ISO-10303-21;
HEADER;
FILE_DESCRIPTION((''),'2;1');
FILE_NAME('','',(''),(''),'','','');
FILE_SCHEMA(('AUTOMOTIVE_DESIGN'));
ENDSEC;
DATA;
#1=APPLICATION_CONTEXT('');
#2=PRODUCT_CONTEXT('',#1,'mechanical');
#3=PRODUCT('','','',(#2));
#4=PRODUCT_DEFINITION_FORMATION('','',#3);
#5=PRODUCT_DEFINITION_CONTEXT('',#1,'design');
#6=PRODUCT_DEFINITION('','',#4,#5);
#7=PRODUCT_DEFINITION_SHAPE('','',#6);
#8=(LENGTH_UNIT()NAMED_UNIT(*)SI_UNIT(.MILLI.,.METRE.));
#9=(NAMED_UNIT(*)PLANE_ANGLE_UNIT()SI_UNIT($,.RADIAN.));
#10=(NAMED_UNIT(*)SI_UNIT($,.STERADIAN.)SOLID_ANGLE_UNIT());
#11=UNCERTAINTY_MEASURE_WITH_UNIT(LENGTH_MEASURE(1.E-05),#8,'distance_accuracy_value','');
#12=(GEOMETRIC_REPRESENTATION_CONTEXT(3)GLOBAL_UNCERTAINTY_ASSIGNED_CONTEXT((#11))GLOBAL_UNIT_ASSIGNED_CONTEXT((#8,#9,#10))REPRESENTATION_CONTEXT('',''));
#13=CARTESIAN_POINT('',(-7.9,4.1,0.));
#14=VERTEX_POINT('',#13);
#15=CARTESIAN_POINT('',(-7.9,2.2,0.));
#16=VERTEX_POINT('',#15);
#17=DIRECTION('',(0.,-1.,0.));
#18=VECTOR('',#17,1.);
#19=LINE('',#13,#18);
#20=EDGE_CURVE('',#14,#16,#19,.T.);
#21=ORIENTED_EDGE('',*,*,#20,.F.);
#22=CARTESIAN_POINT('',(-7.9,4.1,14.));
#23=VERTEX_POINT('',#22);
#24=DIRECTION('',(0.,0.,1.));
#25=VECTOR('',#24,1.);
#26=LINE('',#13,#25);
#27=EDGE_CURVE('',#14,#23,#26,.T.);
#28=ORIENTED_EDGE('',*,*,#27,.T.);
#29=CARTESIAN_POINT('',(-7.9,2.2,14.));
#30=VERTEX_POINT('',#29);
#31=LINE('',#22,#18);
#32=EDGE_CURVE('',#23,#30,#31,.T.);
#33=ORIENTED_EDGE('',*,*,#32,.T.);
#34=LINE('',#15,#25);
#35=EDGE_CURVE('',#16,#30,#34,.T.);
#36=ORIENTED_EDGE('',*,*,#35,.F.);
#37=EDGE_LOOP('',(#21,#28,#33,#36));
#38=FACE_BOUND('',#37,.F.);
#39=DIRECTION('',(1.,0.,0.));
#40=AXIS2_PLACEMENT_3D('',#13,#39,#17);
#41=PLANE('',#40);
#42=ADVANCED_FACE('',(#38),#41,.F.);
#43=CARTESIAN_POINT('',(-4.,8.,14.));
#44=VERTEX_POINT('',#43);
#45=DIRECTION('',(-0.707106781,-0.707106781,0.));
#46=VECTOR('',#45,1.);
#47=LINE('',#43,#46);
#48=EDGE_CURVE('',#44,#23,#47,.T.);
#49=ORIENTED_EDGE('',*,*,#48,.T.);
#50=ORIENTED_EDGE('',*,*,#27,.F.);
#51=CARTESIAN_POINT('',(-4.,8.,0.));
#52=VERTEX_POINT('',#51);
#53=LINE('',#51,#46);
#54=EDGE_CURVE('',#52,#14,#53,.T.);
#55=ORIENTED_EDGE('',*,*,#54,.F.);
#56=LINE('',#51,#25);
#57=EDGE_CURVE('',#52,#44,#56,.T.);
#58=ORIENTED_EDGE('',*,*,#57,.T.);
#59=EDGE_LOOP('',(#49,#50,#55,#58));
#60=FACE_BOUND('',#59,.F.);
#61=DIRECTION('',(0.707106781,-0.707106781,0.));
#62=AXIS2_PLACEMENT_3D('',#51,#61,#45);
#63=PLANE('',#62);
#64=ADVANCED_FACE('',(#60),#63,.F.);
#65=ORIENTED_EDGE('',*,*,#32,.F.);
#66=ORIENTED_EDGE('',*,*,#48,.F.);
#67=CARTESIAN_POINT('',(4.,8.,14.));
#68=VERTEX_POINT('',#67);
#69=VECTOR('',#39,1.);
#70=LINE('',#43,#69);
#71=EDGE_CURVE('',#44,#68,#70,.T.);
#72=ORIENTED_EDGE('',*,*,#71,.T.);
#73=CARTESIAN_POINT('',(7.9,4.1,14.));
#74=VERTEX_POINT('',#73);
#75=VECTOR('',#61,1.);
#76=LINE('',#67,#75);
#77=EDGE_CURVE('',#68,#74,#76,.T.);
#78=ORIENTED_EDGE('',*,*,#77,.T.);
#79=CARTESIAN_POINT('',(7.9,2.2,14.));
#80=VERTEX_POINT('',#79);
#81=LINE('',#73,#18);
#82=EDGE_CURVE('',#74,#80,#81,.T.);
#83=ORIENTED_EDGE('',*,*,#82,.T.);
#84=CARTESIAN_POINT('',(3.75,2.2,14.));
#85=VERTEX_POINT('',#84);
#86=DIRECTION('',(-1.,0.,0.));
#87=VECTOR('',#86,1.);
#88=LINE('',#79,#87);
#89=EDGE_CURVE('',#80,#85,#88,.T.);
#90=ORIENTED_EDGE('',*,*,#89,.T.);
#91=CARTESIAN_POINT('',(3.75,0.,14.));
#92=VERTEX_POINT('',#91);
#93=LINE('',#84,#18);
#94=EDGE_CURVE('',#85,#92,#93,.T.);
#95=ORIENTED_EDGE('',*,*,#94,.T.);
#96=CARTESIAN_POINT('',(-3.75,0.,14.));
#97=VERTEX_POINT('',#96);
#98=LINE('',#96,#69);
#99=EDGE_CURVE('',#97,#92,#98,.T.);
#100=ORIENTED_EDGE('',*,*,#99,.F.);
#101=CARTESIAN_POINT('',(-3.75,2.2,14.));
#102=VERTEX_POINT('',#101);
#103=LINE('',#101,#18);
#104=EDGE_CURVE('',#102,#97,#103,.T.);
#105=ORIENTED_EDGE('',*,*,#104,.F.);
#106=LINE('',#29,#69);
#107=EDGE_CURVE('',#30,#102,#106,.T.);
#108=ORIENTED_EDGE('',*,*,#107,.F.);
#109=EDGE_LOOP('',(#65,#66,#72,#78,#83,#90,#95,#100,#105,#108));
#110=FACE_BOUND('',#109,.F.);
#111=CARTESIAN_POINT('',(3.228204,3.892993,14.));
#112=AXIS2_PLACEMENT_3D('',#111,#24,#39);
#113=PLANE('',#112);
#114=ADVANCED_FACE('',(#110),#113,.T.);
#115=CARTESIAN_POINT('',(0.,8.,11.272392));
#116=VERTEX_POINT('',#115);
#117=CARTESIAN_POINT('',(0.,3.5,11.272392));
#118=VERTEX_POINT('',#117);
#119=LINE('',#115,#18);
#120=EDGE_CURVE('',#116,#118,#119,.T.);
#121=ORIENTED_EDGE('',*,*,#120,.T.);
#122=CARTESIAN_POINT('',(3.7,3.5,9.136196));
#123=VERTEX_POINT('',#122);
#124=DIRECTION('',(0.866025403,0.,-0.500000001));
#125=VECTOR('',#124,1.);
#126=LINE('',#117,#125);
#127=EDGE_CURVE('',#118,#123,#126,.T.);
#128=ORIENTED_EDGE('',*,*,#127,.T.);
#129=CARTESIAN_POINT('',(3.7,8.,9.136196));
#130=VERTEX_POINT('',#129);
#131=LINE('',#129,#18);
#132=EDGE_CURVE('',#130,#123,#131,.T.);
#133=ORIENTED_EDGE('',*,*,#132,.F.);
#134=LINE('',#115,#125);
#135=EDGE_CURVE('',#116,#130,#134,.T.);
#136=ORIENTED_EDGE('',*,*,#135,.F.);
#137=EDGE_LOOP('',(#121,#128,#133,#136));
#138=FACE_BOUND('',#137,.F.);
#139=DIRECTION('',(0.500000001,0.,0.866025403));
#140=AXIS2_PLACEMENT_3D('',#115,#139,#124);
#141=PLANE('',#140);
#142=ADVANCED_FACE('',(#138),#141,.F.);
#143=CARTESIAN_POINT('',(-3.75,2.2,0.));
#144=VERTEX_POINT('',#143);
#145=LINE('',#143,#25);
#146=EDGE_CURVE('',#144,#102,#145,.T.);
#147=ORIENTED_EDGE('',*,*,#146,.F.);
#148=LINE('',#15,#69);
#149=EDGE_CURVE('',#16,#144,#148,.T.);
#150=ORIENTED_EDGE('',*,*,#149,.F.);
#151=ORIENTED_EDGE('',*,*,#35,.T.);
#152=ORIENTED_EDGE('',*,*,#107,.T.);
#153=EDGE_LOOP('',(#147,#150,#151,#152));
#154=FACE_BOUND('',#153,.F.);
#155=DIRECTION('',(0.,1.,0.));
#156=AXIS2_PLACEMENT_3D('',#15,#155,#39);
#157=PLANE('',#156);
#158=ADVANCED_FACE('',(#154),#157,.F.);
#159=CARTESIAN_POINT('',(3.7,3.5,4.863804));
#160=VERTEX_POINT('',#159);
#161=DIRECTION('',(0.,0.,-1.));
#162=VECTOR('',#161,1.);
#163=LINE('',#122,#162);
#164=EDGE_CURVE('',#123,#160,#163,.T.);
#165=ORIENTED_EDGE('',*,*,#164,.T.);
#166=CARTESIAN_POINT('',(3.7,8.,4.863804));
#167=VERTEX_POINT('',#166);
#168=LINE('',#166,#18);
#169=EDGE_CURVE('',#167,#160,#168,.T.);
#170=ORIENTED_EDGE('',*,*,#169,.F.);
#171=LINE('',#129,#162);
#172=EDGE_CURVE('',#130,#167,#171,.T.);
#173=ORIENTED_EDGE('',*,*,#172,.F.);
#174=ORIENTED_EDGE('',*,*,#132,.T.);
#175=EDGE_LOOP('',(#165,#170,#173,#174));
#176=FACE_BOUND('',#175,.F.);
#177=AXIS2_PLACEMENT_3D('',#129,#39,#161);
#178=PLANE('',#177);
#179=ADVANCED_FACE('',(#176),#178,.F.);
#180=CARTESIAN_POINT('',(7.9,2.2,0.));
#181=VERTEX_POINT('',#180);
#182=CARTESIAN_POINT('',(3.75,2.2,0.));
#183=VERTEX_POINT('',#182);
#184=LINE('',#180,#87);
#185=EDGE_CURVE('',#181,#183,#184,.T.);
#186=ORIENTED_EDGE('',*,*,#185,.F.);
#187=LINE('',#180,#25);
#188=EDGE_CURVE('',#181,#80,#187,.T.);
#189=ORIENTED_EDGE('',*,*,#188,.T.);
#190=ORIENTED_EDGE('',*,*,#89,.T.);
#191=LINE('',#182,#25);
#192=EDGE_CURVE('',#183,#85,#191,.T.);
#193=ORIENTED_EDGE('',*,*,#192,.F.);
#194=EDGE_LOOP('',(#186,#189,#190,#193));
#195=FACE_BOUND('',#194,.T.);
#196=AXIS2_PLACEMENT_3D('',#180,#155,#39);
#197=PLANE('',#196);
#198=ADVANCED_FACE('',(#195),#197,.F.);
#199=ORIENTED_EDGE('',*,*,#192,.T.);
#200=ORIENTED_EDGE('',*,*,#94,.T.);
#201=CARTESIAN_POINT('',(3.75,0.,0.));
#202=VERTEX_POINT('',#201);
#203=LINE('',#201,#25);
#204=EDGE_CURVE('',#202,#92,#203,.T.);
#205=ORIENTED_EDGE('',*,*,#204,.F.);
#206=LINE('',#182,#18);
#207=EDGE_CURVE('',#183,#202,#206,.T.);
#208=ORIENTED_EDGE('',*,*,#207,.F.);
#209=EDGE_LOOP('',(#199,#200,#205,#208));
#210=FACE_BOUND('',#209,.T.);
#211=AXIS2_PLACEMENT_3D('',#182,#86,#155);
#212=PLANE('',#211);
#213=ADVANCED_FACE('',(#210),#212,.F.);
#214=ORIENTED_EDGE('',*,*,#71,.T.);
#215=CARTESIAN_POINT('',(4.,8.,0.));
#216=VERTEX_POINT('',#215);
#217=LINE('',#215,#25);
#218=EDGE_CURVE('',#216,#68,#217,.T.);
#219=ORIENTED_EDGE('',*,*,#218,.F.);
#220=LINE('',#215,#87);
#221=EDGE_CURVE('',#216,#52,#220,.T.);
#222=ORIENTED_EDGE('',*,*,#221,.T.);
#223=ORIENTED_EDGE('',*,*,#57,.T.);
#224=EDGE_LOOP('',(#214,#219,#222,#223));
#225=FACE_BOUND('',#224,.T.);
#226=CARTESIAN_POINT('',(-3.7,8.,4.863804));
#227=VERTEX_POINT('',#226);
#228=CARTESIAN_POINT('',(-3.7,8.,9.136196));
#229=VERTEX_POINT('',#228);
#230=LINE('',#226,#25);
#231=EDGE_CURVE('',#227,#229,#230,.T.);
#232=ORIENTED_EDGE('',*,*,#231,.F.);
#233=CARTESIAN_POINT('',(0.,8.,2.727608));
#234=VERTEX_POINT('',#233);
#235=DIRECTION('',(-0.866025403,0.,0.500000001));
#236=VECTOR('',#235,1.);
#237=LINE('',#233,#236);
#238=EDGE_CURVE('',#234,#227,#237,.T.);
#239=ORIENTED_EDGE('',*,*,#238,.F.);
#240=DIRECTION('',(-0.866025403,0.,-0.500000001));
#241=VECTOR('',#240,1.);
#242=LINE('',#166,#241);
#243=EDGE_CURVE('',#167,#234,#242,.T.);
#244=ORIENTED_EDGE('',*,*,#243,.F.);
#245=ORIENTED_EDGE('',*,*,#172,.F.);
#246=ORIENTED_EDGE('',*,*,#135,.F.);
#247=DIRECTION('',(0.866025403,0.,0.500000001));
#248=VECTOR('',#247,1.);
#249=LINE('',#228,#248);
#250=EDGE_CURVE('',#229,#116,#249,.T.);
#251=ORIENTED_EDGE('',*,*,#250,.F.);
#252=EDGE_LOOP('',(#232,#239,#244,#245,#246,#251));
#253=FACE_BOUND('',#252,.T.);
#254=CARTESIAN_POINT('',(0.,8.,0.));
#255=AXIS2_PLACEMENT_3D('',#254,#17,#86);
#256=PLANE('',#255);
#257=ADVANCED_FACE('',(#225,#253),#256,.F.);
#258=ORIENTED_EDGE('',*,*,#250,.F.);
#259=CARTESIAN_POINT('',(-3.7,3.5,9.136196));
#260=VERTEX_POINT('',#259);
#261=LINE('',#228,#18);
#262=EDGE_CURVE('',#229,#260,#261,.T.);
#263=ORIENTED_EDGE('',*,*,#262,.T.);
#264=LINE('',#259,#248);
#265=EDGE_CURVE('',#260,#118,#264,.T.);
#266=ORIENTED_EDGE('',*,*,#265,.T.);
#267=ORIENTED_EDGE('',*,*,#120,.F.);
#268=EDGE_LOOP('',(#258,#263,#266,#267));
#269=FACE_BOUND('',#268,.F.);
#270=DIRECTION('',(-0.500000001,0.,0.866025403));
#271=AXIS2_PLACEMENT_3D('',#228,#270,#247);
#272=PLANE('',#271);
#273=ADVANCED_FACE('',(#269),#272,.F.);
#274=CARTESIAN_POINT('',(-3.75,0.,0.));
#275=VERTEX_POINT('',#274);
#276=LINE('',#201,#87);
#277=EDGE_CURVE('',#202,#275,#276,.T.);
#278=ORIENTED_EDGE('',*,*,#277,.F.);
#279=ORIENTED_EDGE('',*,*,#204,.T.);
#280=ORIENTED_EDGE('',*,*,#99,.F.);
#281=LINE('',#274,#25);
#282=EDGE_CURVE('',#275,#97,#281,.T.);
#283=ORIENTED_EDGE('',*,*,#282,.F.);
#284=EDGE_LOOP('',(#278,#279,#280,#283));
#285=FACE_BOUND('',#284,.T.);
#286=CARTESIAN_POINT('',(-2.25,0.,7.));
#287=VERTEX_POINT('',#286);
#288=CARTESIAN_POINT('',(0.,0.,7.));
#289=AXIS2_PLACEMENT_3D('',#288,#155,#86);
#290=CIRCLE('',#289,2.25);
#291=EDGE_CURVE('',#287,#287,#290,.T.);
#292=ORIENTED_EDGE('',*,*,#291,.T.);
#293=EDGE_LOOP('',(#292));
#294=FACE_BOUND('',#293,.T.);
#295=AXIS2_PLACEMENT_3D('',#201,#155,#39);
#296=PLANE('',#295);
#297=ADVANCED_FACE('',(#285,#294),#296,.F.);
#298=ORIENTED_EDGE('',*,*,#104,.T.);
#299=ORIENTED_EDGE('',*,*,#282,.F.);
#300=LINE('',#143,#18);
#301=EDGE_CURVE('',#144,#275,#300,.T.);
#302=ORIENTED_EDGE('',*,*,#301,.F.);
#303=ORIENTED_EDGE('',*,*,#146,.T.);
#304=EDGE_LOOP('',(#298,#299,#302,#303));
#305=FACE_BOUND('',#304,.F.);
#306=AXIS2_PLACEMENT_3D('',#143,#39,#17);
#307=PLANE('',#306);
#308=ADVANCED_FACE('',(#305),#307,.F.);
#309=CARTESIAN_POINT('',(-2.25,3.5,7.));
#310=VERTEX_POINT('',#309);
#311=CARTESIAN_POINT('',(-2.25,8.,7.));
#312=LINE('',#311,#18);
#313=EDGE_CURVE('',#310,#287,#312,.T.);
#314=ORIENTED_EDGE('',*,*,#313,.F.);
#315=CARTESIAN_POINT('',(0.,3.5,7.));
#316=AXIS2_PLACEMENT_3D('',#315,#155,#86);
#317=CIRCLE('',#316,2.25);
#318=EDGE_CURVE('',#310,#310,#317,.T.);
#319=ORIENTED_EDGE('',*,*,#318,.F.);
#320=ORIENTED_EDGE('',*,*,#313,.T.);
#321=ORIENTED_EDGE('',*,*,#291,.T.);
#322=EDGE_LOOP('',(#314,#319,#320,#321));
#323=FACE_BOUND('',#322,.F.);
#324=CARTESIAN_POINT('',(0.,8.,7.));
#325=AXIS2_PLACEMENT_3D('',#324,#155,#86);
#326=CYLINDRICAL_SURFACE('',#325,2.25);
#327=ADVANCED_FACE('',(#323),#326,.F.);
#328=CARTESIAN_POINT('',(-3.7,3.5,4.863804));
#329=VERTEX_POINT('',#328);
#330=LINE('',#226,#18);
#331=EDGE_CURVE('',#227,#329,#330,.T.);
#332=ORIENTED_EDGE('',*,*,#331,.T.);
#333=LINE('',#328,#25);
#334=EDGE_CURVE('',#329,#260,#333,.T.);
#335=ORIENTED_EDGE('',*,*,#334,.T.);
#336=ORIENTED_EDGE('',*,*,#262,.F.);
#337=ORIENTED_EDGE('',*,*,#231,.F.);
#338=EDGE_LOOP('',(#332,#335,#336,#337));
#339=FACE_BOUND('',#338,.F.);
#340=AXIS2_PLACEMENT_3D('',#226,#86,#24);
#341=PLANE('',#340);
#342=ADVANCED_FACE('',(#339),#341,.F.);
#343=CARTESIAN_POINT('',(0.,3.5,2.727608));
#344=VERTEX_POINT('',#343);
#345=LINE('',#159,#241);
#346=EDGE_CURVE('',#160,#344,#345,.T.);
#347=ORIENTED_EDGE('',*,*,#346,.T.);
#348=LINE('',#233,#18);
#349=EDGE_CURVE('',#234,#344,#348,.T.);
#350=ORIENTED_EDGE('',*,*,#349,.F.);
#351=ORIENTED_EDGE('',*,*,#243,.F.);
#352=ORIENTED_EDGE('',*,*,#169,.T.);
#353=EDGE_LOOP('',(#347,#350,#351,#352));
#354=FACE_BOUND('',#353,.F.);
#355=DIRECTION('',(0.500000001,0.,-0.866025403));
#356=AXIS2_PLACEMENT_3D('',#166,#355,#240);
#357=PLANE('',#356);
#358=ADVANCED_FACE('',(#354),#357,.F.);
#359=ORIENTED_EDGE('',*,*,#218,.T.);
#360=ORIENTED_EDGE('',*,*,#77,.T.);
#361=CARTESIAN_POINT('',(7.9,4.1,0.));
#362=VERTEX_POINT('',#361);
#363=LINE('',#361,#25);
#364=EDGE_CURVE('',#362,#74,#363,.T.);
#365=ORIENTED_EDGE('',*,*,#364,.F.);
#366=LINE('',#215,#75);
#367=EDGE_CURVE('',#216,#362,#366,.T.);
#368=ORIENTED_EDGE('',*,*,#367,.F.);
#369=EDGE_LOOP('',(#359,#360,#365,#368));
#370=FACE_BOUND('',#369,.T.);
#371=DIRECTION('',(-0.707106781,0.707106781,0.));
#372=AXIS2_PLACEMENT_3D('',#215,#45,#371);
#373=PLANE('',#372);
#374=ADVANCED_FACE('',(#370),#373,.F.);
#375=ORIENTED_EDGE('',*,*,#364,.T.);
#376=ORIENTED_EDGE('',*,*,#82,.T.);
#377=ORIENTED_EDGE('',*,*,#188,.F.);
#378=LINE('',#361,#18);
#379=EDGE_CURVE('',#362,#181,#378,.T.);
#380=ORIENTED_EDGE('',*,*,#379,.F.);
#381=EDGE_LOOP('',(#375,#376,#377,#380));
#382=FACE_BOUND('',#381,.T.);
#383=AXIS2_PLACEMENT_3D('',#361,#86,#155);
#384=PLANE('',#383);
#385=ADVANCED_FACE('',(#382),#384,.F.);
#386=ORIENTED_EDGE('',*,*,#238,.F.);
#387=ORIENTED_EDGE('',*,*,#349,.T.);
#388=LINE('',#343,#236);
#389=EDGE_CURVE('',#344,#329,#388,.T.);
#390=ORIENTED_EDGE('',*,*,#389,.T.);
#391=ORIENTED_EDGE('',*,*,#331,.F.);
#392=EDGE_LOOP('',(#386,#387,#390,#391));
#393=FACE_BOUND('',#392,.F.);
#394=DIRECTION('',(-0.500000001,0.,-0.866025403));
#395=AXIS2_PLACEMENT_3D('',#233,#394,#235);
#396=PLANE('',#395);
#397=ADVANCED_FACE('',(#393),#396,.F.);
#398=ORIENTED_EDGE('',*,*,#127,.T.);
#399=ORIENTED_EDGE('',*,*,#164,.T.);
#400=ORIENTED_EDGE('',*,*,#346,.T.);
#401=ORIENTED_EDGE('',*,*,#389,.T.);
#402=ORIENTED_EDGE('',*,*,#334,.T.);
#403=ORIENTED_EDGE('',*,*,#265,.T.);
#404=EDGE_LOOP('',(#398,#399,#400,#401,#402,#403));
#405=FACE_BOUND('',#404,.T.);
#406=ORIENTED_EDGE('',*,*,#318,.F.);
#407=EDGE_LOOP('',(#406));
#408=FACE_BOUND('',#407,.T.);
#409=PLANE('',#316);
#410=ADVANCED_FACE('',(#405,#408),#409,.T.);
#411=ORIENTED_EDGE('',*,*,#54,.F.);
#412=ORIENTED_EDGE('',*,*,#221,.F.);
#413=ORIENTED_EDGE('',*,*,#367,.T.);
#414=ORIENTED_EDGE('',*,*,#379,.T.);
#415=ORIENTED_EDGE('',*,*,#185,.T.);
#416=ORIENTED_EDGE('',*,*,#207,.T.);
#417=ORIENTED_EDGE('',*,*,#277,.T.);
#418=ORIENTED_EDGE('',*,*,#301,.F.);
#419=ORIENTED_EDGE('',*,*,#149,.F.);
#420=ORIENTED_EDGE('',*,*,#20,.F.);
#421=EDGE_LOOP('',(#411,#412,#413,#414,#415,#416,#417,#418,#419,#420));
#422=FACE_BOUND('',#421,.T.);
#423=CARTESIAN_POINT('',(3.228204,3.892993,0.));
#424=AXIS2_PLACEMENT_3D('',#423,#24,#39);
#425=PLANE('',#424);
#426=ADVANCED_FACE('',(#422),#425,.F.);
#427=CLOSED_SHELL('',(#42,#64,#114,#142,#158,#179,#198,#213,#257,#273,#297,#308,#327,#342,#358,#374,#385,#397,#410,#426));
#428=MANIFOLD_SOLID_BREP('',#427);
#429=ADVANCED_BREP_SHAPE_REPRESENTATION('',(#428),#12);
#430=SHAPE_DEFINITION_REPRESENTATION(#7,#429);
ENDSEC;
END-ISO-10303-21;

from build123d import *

# Parameters (mm, degrees)
PAD004_DEPTH    = 14
POCKET002_DEPTH = 4.5
SKETCH007_R     = 2.25
HOLE002_DEPTH   = 25


with BuildPart() as part:
    # Sketch009 → Pad004 (new body)
    with BuildSketch(Plane.XY):
        Polygon((0, 0), (0, 8), (-4, 8), (-7.9, 4.1), (-7.9, 2.2), (-3.75, 2.2), (-3.75, 0), align=None)
    pad004 = extrude(amount=PAD004_DEPTH)

    # Mirrored002: Pad004 across Sketch009 V_Axis
    add(pad004.mirror(Plane(origin=(0, 0, 0), x_dir=(0, 0, 1), z_dir=(1, 0, 0))))

    # Sketch008 (on DatumPlane) → Pocket002 (cut)
    with BuildSketch(Plane(origin=(0, 8, 0), x_dir=(-1, 0, 0), z_dir=(0, 1, 0))):
        Polygon((0, 2.727608), (3.7, 4.863804), (3.7, 9.136196), (0, 11.272392), (-3.7, 9.136196), (-3.7, 4.863804), align=None)
    extrude(amount=-POCKET002_DEPTH, mode=Mode.SUBTRACT)

    # Sketch007 (on DatumPlane) → Hole002 (cut)
    with BuildSketch(Plane(origin=(0, 8, 0), x_dir=(-1, 0, 0), z_dir=(0, 1, 0))):
        with Locations((0, 7)):
            Circle(SKETCH007_R)
    extrude(amount=-HOLE002_DEPTH, mode=Mode.SUBTRACT)


solid = part.part
